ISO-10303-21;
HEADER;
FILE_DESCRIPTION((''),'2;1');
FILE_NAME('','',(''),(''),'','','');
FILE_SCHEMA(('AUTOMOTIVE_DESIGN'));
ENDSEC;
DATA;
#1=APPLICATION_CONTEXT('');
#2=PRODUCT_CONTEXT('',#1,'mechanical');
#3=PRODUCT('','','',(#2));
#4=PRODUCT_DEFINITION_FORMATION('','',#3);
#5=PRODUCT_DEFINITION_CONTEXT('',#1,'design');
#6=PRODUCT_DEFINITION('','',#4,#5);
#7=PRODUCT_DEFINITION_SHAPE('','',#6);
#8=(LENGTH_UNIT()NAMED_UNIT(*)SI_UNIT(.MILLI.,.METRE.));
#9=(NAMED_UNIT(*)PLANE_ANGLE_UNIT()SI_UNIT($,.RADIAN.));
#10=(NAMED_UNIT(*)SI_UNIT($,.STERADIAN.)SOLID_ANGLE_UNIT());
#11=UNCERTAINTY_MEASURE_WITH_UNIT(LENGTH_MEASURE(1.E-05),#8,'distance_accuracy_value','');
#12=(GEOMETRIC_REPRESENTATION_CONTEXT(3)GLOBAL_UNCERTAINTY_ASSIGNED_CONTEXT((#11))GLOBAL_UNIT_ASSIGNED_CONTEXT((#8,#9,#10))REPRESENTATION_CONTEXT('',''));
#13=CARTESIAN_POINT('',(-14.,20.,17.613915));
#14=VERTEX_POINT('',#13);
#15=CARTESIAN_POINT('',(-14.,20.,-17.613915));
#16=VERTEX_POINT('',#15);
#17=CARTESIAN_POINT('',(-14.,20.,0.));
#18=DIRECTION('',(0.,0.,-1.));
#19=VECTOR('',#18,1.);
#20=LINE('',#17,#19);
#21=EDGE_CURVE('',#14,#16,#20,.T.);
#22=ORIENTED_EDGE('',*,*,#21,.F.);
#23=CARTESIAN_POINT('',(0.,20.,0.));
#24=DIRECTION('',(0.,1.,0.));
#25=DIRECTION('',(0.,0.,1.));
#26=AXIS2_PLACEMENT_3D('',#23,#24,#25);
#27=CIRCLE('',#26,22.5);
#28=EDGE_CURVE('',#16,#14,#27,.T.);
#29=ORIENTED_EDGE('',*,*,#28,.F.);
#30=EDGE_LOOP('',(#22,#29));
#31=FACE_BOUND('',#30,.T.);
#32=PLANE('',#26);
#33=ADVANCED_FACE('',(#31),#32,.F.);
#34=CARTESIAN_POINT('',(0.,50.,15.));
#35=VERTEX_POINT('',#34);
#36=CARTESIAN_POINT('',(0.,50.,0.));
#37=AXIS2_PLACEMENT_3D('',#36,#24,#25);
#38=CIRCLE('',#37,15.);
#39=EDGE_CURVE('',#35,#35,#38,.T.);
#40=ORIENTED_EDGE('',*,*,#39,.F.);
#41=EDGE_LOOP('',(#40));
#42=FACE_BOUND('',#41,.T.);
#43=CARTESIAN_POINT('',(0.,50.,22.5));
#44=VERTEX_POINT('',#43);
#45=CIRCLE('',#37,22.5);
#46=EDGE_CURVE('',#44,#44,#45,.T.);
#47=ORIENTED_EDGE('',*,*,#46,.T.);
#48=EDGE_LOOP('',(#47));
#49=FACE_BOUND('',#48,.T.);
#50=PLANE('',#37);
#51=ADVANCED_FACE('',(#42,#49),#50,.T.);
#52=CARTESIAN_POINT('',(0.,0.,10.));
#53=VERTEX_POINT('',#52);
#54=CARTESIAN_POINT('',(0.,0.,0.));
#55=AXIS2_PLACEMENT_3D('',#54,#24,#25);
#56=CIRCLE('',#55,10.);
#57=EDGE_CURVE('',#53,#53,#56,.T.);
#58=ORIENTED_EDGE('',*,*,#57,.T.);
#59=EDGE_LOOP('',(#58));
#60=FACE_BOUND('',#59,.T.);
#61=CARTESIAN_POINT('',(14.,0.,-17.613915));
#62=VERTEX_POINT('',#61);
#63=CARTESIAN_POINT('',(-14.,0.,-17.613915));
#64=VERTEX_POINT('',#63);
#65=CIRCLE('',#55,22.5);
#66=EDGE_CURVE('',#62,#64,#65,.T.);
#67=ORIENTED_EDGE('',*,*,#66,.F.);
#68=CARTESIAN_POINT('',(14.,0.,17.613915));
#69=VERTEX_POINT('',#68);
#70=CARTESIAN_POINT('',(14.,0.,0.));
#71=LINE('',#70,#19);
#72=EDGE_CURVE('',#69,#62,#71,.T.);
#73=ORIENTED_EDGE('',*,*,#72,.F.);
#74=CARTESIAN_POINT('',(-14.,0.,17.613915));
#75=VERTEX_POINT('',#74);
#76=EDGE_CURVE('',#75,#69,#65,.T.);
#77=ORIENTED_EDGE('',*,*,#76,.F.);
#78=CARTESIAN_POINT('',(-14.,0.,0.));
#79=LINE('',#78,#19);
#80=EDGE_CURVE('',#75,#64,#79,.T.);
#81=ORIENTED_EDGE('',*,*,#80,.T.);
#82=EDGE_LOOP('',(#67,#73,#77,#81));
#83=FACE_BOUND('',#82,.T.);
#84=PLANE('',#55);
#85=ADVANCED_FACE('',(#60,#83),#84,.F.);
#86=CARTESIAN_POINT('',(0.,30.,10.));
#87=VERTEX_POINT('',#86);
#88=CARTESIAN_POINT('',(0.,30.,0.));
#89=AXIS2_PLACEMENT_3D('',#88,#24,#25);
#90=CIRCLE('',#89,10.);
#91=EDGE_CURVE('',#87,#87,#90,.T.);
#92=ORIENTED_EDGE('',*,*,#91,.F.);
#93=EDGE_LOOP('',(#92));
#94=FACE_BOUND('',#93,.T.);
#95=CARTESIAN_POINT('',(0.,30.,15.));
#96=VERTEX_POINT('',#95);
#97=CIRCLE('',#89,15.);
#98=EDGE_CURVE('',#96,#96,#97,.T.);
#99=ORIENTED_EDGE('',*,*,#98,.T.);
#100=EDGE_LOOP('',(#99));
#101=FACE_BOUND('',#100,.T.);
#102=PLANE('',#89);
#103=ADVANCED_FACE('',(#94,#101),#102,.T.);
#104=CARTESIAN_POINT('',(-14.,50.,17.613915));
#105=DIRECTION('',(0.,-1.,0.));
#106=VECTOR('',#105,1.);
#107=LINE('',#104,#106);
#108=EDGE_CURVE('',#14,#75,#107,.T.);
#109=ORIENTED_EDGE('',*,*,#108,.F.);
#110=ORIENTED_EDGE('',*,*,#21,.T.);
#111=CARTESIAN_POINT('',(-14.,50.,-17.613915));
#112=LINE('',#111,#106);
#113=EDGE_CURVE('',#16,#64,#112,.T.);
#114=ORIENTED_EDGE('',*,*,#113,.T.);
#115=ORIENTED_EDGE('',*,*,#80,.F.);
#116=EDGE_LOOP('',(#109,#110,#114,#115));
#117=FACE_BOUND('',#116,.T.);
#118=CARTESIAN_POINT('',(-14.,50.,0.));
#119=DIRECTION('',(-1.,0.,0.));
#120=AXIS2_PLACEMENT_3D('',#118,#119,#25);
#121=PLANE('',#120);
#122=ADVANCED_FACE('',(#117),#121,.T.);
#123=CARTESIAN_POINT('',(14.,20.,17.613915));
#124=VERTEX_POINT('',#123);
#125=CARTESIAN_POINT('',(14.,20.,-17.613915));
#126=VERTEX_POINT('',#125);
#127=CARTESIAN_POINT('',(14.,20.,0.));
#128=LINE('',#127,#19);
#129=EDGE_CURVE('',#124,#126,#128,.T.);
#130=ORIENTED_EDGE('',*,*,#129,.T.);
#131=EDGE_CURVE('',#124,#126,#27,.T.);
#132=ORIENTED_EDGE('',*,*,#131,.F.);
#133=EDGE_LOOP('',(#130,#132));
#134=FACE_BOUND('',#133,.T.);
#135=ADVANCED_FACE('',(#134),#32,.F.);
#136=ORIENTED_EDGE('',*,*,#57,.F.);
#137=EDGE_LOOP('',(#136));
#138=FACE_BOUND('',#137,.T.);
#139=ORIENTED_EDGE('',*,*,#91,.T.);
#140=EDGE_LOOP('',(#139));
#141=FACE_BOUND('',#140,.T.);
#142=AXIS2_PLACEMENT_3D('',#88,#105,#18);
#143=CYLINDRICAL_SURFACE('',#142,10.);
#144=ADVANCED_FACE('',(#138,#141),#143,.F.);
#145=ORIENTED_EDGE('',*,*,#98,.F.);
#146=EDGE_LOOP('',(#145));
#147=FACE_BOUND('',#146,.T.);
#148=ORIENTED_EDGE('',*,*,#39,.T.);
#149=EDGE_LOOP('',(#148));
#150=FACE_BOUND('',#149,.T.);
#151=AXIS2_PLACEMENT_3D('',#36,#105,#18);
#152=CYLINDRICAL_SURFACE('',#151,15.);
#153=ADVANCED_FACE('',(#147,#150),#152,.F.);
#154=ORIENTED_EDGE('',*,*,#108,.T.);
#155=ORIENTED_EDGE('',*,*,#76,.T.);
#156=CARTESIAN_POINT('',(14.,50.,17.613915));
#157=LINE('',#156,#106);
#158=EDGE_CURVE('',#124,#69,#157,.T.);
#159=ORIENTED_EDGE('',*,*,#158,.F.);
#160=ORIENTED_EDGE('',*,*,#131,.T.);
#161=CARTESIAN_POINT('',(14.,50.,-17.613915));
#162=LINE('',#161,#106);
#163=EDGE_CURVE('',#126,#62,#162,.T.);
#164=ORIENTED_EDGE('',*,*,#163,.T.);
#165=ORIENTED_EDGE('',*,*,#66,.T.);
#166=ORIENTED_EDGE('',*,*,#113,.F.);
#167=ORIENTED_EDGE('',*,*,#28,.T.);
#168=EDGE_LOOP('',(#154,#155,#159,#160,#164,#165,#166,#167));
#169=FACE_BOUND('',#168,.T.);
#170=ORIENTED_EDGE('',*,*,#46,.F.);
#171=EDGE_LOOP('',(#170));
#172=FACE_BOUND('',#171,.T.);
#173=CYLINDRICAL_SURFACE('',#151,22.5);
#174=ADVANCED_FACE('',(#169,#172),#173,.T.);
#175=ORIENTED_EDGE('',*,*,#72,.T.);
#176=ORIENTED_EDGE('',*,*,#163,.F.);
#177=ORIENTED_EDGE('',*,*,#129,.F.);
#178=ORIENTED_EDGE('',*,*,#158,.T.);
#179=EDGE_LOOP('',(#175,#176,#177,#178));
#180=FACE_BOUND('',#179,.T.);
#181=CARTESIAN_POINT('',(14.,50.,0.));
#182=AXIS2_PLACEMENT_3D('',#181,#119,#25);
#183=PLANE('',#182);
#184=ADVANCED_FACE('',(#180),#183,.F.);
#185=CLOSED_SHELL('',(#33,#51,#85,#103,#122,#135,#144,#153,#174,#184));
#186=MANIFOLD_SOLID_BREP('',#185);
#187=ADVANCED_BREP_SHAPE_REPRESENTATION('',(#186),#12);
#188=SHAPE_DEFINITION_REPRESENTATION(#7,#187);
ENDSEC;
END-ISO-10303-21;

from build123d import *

# Parameters (mm, degrees)
BOSS_EXTRUDE5_DEPTH   = 50
BOSS_EXTRUDE5_2_DEPTH = 50
BOSS_EXTRUDE6_START   = 20
BOSS_EXTRUDE6_DEPTH   = 30
SKETCH1_5_R           = 10
BOSS_EXTRUDE7_DEPTH   = 30
BOSS_EXTRUDE8_START   = 20
BOSS_EXTRUDE8_DEPTH   = 10


with BuildPart() as part:
    # Sketch1 → Boss-Extrude5 (new body)
    with BuildSketch(Plane(origin=(0, 0, 0), x_dir=(1, 0, 0), z_dir=(0, 1, 0))):
        with BuildLine():
            Line((-14, -5.385164807), (-14, -17.613914954))
            ThreePointArc((-14, -17.613914954), (0, -22.5), (14, -17.613914954))
            Line((14, -17.613914954), (14, -5.385164807))
            ThreePointArc((14, -5.385164807), (0, -15), (-14, -5.385164807))
        make_face()
    extrude(amount=BOSS_EXTRUDE5_DEPTH)



with BuildPart() as body_2:
    # Sketch1 → Boss-Extrude5 2 (new body)
    with BuildSketch(Plane(origin=(0, 0, 0), x_dir=(1, 0, 0), z_dir=(0, 1, 0))):
        with BuildLine():
            ThreePointArc((14, 17.613914954), (0, 22.5), (-14, 17.613914954))
            Line((-14, 17.613914954), (-14, 5.385164807))
            ThreePointArc((-14, 5.385164807), (0, 15), (14, 5.385164807))
            Line((14, 5.385164807), (14, 17.613914954))
        make_face()
    extrude(amount=BOSS_EXTRUDE5_2_DEPTH)


with BuildPart() as part_1:
    add(part.part)

    add(body_2.part)  # Boss-Extrude6 merges body 2
    # Sketch1<4> → Boss-Extrude6 (add)
    with BuildSketch(Plane(origin=(0, 0, 0), x_dir=(1, 0, 0), z_dir=(0, 1, 0)).offset(BOSS_EXTRUDE6_START)):
        with BuildLine():
            ThreePointArc((-14, 17.613914954), (-22.5, 0), (-14, -17.613914954))
            Line((-14, -17.613914954), (-14, -5.385164807))
            ThreePointArc((-14, -5.385164807), (-15, 0), (-14, 5.385164807))
            Line((-14, 5.385164807), (-14, 17.613914954))
        make_face()
        with BuildLine():
            Line((14, -5.385164807), (14, -17.613914954))
            ThreePointArc((14, -17.613914954), (22.5, 0), (14, 17.613914954))
            Line((14, 17.613914954), (14, 5.385164807))
            ThreePointArc((14, 5.385164807), (15, 0), (14, -5.385164807))
        make_face()
    extrude(amount=BOSS_EXTRUDE6_DEPTH)

    # Sketch1<5> → Boss-Extrude7 (add)
    with BuildSketch(Plane(origin=(0, 0, 0), x_dir=(1, 0, 0), z_dir=(0, 1, 0))):
        with BuildLine():
            Line((-14, 5.385164807), (-14, -5.385164807))
            ThreePointArc((-14, -5.385164807), (0, -15), (14, -5.385164807))
            Line((14, -5.385164807), (14, 5.385164807))
            ThreePointArc((14, 5.385164807), (0, 15), (-14, 5.385164807))
        make_face()
        Circle(SKETCH1_5_R, mode=Mode.SUBTRACT)
    extrude(amount=BOSS_EXTRUDE7_DEPTH)

    # Sketch1<6> → Boss-Extrude8 (add)
    with BuildSketch(Plane(origin=(0, 0, 0), x_dir=(1, 0, 0), z_dir=(0, 1, 0)).offset(BOSS_EXTRUDE8_START)):
        with BuildLine():
            ThreePointArc((-14, 5.385164807), (-15, 0), (-14, -5.385164807))
            Line((-14, -5.385164807), (-14, 5.385164807))
        make_face()
        with BuildLine():
            Line((14, 5.385164807), (14, -5.385164807))
            ThreePointArc((14, -5.385164807), (15, 0), (14, 5.385164807))
        make_face()
    extrude(amount=BOSS_EXTRUDE8_DEPTH)


solid = part_1.part
